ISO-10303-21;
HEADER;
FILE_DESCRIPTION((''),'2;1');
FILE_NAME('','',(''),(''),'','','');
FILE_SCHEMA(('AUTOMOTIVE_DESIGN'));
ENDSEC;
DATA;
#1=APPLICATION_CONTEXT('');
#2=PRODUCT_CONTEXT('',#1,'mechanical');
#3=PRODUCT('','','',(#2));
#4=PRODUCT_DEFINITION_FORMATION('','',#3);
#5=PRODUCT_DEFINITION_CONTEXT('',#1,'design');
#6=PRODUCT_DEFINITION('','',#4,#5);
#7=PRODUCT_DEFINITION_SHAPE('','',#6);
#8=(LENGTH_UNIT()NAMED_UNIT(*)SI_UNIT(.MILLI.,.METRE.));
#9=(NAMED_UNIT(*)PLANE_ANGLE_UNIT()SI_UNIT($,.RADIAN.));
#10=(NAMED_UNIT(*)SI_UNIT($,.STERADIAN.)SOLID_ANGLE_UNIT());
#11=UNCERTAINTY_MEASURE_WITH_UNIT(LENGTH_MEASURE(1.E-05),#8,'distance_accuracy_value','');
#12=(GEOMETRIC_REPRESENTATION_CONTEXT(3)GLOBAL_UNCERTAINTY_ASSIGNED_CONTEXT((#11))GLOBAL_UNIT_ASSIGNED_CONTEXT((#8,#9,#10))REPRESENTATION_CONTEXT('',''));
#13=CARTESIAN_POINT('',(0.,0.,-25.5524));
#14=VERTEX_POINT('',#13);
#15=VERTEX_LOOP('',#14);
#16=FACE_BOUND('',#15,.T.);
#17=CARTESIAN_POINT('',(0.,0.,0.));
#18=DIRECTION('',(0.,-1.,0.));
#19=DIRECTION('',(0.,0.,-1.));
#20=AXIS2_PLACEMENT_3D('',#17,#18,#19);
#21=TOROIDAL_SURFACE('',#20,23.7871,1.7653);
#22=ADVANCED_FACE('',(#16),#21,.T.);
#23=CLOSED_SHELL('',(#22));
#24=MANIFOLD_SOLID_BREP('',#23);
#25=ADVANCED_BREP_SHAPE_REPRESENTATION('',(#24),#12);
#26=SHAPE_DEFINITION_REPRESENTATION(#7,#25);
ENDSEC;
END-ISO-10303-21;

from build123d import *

# Parameters (mm, degrees)
SKETCH2_R = 1.7653


with BuildPart() as part:
    # Sweep1: sweep along a path in Sketch1
    with BuildLine(Plane(origin=(0, 0, 0), x_dir=(1, 0, 0), z_dir=(0, 1, 0))) as sweep1_path:
        CenterArc((0, 0), 22.0218, 0, 360)
    # Sketch2 → Sweep1 (sweep)
    with BuildSketch(Plane.XY):
        with Locations((-23.7871, 0)):
            Circle(SKETCH2_R)
    sweep(path=sweep1_path.line)


solid = part.part
